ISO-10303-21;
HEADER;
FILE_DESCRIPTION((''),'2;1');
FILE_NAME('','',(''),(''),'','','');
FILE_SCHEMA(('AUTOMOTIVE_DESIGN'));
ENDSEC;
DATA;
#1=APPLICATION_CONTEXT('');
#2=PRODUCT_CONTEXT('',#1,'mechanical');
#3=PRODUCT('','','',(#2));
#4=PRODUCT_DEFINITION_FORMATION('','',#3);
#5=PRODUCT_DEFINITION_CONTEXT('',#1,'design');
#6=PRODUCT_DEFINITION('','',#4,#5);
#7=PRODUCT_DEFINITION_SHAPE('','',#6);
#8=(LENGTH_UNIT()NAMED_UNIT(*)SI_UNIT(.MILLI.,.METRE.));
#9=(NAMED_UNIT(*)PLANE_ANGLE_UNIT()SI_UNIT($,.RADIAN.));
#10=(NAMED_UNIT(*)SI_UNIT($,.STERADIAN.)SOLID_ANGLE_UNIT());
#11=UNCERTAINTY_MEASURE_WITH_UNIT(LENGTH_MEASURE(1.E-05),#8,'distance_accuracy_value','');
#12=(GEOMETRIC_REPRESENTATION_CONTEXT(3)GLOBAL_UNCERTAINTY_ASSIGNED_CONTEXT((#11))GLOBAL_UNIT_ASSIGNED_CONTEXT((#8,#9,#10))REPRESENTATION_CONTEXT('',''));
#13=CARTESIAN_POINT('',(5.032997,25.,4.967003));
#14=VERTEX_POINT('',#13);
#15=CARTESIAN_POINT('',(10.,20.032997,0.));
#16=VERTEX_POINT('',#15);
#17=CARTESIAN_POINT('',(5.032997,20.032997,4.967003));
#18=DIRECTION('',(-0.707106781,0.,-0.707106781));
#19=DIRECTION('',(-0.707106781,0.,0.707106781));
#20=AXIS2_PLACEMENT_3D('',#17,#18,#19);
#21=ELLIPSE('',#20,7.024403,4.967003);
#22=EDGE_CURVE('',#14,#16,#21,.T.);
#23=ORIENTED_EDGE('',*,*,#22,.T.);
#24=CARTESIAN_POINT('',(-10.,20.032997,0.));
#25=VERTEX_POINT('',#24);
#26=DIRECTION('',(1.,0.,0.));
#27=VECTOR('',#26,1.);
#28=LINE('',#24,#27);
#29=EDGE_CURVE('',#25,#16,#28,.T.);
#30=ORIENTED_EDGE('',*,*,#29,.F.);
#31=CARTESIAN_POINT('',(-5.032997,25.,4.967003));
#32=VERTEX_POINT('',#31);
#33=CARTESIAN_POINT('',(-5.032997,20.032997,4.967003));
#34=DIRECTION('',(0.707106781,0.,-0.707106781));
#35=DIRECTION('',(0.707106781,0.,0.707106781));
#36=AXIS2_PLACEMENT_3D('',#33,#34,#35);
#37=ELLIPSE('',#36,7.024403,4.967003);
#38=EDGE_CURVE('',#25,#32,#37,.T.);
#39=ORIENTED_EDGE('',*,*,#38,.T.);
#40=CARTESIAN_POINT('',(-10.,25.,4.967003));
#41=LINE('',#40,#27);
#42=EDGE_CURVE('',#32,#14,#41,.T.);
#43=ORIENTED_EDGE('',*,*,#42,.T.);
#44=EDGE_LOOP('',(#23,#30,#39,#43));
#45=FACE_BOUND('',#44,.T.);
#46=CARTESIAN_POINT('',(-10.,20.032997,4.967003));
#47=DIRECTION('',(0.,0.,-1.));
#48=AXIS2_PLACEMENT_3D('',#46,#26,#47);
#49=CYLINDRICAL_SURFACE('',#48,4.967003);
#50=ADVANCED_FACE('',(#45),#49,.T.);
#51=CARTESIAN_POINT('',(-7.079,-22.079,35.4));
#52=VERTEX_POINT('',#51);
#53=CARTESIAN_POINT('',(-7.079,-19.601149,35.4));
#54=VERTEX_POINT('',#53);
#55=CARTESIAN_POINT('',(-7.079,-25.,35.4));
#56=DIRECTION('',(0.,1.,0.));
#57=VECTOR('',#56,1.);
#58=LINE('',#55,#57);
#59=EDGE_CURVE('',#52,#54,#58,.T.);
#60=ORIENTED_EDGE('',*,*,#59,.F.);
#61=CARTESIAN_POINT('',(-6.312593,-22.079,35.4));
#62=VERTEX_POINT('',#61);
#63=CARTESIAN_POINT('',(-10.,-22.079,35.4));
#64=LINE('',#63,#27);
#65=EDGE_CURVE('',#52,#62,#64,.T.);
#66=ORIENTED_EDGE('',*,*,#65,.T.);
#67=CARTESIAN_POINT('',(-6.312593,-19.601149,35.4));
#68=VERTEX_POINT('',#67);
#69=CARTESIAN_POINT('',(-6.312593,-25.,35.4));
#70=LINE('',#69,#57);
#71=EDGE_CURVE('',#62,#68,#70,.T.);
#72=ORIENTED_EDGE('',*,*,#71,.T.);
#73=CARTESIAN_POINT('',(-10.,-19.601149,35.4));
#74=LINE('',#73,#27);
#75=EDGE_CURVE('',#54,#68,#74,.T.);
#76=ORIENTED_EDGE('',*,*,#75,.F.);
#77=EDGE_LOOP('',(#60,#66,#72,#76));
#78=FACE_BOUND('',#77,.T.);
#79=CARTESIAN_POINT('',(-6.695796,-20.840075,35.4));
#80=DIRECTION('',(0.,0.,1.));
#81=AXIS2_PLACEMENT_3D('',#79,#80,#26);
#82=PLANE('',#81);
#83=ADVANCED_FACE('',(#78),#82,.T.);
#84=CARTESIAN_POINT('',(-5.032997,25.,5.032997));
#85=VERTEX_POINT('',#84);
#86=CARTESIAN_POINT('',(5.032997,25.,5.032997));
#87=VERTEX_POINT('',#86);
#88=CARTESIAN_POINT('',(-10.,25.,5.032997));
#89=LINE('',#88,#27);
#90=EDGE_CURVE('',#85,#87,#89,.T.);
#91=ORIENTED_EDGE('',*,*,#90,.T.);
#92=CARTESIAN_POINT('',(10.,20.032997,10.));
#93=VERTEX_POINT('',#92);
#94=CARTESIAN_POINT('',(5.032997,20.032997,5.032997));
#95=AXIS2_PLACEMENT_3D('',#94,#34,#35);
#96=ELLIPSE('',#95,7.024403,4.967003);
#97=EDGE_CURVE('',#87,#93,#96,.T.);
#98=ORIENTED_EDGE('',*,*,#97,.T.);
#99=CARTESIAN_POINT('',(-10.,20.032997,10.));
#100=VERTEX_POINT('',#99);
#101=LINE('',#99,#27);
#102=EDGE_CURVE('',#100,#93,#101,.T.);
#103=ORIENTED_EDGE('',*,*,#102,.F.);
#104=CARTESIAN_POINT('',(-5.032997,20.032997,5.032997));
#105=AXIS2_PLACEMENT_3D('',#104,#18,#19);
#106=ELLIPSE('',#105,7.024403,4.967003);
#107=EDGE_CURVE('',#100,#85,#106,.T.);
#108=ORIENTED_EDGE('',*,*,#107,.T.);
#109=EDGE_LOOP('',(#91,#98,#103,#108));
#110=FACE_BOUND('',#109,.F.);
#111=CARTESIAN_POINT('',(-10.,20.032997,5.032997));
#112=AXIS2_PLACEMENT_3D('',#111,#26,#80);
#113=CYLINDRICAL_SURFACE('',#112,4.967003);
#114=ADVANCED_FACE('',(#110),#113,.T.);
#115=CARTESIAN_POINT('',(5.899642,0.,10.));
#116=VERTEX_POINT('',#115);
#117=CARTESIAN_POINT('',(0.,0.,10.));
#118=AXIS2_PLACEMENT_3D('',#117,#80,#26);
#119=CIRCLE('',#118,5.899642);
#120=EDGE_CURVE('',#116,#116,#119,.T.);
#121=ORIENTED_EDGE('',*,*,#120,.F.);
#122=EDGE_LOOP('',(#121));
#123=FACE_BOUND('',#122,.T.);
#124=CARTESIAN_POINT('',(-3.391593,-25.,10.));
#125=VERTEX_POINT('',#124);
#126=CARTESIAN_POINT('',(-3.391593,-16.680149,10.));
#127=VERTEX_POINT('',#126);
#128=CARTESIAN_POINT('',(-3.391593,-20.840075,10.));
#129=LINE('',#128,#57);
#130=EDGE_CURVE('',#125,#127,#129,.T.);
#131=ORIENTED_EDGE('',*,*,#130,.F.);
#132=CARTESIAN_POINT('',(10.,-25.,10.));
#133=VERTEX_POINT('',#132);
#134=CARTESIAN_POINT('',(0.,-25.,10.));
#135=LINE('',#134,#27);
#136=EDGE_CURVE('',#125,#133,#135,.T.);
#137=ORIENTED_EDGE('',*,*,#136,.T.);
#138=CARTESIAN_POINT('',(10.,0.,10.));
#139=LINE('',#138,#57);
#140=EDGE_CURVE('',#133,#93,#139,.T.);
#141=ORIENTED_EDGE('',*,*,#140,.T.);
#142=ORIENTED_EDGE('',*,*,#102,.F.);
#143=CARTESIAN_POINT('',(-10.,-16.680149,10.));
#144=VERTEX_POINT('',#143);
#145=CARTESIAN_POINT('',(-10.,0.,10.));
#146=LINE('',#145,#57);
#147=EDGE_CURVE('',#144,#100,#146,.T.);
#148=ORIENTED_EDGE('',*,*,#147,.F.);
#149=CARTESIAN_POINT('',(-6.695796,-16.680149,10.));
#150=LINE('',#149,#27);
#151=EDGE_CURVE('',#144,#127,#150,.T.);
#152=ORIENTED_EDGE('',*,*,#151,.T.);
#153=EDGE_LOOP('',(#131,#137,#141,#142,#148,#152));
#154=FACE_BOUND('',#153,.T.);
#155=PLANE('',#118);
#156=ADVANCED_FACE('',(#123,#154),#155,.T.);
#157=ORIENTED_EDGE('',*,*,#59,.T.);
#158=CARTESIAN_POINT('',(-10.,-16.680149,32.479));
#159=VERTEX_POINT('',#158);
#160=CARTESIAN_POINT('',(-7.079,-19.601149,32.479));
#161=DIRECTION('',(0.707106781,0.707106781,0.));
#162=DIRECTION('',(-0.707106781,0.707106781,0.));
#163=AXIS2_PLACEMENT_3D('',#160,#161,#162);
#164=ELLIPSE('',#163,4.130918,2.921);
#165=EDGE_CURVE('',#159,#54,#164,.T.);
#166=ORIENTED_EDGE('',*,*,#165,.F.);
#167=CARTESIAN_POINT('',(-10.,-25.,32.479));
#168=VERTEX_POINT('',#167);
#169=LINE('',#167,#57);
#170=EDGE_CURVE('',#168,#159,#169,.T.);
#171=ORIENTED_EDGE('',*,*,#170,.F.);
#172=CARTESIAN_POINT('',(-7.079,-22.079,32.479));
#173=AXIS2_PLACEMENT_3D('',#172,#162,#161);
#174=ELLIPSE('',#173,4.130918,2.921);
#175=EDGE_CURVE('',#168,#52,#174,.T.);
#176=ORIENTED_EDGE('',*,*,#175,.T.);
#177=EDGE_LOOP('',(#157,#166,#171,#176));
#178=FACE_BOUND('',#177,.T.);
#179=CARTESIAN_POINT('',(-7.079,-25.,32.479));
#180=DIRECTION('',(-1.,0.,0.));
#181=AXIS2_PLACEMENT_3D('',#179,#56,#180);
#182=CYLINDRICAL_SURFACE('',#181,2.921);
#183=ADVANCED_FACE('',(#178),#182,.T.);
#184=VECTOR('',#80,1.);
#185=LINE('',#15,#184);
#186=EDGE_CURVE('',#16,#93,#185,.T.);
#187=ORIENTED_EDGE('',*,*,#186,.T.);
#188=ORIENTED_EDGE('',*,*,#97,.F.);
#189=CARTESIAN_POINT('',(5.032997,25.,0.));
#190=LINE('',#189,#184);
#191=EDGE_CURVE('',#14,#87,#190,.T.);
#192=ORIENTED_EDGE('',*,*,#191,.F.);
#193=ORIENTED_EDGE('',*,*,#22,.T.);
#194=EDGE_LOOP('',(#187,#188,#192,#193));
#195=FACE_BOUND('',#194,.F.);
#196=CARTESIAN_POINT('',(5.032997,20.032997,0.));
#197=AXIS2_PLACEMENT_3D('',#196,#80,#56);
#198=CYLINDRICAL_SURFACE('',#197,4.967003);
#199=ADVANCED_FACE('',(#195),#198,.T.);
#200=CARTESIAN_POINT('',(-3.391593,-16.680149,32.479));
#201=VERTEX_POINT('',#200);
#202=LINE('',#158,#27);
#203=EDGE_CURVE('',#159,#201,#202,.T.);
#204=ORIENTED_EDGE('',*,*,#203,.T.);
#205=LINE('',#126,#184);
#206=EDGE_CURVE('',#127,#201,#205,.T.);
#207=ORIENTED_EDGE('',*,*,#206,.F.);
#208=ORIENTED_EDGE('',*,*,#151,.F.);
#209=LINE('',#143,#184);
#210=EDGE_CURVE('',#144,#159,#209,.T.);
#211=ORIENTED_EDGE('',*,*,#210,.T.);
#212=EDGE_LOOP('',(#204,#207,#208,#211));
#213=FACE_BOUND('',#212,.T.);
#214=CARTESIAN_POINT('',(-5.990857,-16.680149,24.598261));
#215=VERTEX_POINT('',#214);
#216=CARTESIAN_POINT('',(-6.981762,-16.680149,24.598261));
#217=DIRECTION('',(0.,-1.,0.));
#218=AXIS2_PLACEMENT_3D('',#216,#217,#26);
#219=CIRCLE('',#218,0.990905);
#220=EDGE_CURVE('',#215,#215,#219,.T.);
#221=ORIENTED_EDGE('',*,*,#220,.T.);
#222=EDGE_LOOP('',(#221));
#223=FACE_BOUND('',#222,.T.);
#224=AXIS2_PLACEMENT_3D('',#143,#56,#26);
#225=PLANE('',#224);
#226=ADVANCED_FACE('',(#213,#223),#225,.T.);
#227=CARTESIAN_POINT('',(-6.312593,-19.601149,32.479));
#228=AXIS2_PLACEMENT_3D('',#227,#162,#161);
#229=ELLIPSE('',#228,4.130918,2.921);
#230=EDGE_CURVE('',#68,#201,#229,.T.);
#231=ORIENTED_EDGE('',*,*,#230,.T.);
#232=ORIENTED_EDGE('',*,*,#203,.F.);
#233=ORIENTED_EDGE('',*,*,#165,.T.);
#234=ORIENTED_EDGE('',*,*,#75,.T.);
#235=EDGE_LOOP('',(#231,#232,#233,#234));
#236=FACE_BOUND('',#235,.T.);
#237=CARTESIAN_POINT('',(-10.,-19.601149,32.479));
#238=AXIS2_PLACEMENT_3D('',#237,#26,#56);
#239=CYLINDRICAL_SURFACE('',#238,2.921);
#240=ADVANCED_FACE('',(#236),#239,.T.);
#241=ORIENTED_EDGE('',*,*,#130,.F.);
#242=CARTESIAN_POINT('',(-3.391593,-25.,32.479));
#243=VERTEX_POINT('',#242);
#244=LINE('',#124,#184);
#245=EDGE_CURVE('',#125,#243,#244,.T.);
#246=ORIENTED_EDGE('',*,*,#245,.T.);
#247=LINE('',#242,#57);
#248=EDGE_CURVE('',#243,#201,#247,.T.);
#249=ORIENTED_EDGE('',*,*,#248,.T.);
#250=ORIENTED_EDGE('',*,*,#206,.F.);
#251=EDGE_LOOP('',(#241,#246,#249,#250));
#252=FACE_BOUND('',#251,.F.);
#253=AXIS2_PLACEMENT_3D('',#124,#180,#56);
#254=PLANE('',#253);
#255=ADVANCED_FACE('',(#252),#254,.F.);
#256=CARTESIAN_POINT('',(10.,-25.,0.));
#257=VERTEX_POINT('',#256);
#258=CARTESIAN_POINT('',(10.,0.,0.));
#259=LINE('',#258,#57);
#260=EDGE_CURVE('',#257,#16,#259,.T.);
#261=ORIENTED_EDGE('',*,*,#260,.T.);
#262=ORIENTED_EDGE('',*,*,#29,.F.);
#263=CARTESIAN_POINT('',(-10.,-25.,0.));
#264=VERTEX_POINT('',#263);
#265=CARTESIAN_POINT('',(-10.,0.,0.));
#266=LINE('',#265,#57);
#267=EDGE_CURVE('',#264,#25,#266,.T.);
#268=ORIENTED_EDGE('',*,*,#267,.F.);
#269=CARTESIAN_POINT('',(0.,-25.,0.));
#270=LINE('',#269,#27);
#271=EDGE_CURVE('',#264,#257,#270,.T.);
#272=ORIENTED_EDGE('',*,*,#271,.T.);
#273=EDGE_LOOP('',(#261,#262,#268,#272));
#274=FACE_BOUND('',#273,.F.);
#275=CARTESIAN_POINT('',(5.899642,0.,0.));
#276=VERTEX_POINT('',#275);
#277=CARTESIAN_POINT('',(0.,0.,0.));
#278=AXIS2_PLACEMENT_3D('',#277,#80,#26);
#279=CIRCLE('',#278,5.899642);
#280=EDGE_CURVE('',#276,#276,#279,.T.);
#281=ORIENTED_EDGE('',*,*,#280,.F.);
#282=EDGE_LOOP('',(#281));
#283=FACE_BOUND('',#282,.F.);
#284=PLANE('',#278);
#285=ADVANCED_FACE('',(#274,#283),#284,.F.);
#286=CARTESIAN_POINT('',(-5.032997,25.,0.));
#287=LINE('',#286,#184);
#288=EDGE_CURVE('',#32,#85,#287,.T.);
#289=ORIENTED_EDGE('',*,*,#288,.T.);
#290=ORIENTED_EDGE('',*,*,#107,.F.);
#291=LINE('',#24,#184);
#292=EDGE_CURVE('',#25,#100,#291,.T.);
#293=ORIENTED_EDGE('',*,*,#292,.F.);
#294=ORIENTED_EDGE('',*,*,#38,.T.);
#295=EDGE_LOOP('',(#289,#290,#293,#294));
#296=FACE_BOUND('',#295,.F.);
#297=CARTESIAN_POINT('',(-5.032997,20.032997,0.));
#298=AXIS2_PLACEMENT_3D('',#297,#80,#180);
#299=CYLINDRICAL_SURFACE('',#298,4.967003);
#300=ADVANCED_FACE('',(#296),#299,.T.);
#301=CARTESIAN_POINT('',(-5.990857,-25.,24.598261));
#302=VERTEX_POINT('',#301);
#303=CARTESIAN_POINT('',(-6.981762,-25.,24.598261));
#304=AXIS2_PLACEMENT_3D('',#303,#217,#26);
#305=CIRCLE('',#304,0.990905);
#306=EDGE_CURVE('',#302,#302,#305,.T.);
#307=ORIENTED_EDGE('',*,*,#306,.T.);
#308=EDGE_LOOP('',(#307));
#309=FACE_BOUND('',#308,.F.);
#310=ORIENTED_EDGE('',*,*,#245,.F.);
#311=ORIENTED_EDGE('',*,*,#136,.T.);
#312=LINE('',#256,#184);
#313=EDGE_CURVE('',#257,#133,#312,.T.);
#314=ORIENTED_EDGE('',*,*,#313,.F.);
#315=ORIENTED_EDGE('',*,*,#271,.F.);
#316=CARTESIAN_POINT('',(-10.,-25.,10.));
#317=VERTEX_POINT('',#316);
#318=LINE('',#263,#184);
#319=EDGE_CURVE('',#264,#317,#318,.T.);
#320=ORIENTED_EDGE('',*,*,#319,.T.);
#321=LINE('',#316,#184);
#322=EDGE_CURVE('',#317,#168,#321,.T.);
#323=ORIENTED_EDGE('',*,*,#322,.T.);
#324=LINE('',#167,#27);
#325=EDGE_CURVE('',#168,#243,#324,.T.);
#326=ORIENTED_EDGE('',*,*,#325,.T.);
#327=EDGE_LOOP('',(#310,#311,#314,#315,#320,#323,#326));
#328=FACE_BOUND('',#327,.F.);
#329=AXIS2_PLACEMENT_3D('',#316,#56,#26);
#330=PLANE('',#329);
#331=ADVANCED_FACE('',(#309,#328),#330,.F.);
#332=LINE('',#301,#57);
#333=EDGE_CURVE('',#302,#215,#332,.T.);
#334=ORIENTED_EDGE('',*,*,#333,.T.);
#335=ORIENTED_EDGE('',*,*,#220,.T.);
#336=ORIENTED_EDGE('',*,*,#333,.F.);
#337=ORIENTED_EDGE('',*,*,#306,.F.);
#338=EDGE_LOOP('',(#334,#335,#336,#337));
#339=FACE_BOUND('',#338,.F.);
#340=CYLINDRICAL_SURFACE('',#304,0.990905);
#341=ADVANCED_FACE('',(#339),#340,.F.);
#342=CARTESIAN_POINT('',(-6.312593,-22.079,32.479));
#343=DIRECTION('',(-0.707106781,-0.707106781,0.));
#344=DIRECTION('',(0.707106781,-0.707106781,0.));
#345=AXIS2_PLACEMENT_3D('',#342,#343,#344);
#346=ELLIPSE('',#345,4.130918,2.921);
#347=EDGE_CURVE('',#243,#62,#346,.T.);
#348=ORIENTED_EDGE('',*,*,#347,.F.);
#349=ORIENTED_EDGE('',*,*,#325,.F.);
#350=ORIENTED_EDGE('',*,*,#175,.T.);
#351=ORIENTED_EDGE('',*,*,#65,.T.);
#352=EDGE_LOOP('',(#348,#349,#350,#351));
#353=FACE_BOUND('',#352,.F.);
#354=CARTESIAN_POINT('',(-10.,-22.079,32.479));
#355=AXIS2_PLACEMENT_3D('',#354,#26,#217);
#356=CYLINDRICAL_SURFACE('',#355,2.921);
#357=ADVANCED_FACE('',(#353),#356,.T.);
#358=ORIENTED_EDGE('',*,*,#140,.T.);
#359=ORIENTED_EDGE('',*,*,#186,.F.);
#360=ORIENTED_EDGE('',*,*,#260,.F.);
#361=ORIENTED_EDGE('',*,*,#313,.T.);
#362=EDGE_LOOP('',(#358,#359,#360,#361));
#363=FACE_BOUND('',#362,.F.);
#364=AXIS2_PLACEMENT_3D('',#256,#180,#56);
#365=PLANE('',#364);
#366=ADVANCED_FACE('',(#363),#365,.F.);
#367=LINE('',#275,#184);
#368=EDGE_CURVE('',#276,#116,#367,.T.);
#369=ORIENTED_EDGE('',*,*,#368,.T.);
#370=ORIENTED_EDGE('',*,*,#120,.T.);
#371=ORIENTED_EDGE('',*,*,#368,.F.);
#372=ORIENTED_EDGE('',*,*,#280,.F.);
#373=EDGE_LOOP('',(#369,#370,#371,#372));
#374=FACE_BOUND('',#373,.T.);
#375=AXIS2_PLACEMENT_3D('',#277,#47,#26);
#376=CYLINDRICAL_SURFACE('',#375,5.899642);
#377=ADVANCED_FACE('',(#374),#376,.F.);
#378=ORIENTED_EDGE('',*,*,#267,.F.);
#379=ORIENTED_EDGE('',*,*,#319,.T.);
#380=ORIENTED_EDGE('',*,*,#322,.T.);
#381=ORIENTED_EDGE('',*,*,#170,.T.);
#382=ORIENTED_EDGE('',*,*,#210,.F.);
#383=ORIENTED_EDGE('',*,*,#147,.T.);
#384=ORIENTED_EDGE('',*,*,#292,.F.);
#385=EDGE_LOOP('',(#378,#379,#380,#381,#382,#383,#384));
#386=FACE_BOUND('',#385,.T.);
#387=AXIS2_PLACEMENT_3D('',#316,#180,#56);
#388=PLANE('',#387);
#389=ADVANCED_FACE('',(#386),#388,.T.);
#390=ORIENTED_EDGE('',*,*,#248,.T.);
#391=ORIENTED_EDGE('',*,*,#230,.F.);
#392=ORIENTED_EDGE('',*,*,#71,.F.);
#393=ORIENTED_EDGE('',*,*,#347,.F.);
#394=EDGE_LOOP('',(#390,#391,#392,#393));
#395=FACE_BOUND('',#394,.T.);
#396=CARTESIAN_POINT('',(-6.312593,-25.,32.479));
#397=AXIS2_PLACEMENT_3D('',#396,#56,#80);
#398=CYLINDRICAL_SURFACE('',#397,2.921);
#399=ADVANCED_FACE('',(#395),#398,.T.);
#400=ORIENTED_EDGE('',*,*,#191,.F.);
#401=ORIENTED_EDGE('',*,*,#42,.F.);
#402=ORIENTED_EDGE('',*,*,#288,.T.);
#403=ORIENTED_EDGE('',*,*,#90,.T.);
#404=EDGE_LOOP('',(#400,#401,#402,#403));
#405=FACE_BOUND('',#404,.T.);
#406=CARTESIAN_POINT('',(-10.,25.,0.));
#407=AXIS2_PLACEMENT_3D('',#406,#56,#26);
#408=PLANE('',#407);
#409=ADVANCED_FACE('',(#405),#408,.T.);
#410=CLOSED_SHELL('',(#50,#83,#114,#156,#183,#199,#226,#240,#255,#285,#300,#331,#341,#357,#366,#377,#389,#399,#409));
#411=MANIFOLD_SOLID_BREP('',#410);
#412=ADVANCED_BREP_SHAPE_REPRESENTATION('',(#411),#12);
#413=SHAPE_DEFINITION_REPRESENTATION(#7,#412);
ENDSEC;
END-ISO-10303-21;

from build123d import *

# Parameters (mm, degrees)
F0_W     = 20
F0_H     = 50
F0_R     = 5.8996417904
F1_DEPTH = 10
F2_W     = 6.6084070038
F2_H     = 8.3198506385
F3_DEPTH = 25.4
F4_R     = 2.921
F5_R     = 4.9670029832
F6_R     = 0.9909047391
F7_DEPTH = 9.017


with BuildPart() as f1:
    # F0 (on Top) → F1 (new body)
    with BuildSketch(Plane.XY):
        Rectangle(F0_W, F0_H)
        Circle(F0_R, mode=Mode.SUBTRACT)
    extrude(amount=F1_DEPTH)

    # F2 (on face) → F3 (join)
    with BuildSketch(Plane.XY.offset(10)):
        with Locations((-6.6957964981, -20.8400746807)):
            Rectangle(F2_W, F2_H)
    extrude(amount=F3_DEPTH)

    # F4
    f4_edges = [f1.edges().sort_by_distance(p)[0] for p in [
        (-10, -20.840075, 35.4),
        (-6.695796, -25, 35.4),
        (-3.391593, -20.840075, 35.4),
        (-6.695796, -16.680149, 35.4),
    ]]
    fillet(f4_edges, radius=F4_R)

    # F5
    f5_edges = [f1.edges().sort_by_distance(p)[0] for p in [
        (10, 25, 5),
        (-10, 25, 5),
        (0, 25, 0),
        (0, 25, 10),
    ]]
    fillet(f5_edges, radius=F5_R)

    # F6 (on face) → F7 (cut)
    with BuildSketch(Plane.XZ.offset(25)):
        with Locations((-6.9817616604, 24.5982613415)):
            Circle(F6_R)
    extrude(amount=-F7_DEPTH, mode=Mode.SUBTRACT)


solid = f1.part
